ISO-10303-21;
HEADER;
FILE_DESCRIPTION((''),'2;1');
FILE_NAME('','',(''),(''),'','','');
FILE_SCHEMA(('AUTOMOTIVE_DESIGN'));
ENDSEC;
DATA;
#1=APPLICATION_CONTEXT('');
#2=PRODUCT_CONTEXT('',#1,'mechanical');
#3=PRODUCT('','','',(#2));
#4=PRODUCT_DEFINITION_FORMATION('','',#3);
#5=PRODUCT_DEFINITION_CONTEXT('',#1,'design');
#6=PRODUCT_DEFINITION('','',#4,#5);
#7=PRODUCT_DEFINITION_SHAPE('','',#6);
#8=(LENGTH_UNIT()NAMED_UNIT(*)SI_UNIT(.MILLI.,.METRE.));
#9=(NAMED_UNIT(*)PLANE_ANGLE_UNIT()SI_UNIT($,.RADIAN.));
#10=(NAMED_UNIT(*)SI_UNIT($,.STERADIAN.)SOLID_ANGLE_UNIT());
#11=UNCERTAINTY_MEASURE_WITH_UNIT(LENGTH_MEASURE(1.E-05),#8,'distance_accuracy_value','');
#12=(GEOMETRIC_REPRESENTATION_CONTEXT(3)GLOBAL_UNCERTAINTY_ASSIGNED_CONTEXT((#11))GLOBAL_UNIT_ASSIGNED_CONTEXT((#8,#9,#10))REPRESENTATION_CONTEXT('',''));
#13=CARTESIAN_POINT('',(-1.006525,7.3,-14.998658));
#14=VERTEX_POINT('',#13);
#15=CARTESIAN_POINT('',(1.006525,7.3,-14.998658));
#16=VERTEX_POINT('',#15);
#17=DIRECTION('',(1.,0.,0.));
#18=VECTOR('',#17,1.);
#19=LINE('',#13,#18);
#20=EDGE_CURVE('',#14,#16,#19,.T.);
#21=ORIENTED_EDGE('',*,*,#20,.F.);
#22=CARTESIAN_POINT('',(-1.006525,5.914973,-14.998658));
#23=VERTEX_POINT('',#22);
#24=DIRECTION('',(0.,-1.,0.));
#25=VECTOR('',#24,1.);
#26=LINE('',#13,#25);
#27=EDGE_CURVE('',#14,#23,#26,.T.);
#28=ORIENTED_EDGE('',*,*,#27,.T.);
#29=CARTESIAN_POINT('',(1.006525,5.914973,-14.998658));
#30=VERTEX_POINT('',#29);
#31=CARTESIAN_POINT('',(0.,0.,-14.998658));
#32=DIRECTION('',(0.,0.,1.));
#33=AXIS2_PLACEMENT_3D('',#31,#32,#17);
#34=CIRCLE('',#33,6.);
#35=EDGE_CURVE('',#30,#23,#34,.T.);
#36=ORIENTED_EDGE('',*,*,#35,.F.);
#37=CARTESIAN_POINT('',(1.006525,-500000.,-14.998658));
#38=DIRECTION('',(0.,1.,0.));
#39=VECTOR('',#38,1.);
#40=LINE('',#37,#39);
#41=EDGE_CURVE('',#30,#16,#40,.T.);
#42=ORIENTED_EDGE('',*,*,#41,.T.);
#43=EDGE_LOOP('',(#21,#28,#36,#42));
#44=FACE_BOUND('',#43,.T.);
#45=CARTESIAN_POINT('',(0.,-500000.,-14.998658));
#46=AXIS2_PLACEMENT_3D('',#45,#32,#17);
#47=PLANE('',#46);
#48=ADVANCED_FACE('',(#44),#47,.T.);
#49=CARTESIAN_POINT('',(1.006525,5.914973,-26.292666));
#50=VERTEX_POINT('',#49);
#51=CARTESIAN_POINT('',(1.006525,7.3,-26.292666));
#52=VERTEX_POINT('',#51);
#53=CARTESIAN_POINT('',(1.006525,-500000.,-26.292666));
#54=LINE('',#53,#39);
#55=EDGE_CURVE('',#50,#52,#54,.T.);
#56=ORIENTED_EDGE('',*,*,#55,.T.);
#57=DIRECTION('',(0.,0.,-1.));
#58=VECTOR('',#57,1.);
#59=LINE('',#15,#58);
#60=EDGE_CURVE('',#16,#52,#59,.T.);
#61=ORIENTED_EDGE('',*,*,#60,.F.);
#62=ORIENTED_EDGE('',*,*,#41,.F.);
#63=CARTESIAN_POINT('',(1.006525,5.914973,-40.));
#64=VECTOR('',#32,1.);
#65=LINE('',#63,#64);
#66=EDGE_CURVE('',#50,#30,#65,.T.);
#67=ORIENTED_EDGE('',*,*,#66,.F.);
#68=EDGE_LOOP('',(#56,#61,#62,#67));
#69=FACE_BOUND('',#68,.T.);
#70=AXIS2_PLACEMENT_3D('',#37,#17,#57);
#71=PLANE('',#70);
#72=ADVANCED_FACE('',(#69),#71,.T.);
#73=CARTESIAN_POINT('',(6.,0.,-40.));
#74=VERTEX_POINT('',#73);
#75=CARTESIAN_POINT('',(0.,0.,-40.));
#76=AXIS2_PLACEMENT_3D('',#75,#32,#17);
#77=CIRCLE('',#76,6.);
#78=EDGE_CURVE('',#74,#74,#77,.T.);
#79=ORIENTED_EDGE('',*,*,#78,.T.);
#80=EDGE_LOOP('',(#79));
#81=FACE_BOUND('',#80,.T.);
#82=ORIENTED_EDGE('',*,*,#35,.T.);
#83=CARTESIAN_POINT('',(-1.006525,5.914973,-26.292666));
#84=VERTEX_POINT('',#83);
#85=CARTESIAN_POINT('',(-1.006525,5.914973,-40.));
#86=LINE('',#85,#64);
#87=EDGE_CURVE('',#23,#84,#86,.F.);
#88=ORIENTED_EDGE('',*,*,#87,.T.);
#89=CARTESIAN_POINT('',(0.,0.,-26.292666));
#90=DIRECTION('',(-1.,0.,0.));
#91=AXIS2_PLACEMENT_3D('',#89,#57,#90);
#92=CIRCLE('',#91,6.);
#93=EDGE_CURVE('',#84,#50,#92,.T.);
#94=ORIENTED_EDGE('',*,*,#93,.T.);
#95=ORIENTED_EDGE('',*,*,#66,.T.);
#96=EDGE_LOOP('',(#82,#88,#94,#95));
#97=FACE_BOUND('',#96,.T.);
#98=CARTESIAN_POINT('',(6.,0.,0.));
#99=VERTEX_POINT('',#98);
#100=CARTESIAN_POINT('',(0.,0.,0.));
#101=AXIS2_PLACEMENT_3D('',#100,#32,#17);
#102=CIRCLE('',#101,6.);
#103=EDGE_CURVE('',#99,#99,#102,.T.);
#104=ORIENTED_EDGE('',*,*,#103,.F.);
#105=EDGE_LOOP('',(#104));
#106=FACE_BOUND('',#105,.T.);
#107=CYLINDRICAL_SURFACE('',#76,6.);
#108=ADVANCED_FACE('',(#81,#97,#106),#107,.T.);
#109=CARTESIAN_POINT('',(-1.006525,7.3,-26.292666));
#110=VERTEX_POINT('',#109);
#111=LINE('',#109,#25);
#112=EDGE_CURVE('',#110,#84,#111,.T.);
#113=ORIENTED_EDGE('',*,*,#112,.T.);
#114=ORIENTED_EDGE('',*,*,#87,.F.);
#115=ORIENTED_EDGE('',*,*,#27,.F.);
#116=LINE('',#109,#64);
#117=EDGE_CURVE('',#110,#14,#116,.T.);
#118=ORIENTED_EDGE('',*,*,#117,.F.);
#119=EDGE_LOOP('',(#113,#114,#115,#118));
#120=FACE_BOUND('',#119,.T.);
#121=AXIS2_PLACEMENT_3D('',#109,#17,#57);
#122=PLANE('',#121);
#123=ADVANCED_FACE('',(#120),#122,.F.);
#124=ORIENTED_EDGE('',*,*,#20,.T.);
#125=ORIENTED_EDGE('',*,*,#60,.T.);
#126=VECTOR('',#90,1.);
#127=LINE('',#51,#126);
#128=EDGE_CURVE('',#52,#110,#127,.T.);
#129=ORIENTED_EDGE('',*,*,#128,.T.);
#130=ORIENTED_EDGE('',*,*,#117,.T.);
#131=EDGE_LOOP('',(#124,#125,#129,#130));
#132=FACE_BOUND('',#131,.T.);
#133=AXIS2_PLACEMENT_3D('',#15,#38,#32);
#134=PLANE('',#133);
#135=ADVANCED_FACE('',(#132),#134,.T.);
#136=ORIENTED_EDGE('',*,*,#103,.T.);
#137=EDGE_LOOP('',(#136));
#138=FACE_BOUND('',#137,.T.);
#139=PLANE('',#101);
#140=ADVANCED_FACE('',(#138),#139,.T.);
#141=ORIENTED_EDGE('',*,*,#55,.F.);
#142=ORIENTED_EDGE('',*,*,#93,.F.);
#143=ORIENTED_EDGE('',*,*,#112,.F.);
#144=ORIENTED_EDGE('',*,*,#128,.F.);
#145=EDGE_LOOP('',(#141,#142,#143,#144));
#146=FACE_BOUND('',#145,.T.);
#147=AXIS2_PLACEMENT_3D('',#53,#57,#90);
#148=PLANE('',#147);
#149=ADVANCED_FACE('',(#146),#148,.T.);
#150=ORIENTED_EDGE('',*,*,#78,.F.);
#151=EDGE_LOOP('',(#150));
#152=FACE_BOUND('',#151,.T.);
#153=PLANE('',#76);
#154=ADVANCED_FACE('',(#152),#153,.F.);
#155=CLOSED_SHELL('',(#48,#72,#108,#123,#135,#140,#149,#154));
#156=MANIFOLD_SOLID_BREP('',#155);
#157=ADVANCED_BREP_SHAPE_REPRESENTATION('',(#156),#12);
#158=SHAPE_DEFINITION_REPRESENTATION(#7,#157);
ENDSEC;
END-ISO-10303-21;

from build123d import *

# Parameters (mm, degrees)
SKETCH1_R           = 6
BOSS_EXTRUDE1_DEPTH = 40
BOSS_EXTRUDE2_DEPTH = 1.3
BOSS_EXTRUDE3_START = -0.085027
BOSS_EXTRUDE3_DEPTH = 0.085027


with BuildPart() as part:
    # Sketch1 → Boss-Extrude1 (new body)
    with BuildSketch(Plane.XY):
        Circle(SKETCH1_R)
    extrude(amount=-BOSS_EXTRUDE1_DEPTH)



with BuildPart() as body_2:
    # Sketch3 → Boss-Extrude2 (new body)
    with BuildSketch(Plane(origin=(0, 6, 0), x_dir=(-1, 0, 0), z_dir=(0, 1, 0))):
        Polygon((0, -14.998657747), (-1.006524795, -14.998657747), (-1.006524795, -26.292665591), (0, -26.292665591), (1.006524795, -26.292665591), (1.006524795, -14.998657747), align=None)
    extrude(amount=BOSS_EXTRUDE2_DEPTH)


with BuildPart() as part_1:
    add(part.part)

    add(body_2.part)  # Boss-Extrude3 merges body 2
    # Sketch3<2> → Boss-Extrude3 (add)
    with BuildSketch(Plane(origin=(0, 6, 0), x_dir=(-1, 0, 0), z_dir=(0, 1, 0)).offset(BOSS_EXTRUDE3_START)):
        Polygon((0, -14.998657747), (-1.006524795, -14.998657747), (-1.006524795, -26.292665591), (0, -26.292665591), (1.006524795, -26.292665591), (1.006524795, -14.998657747), align=None)
    extrude(amount=BOSS_EXTRUDE3_DEPTH)


solid = part_1.part
